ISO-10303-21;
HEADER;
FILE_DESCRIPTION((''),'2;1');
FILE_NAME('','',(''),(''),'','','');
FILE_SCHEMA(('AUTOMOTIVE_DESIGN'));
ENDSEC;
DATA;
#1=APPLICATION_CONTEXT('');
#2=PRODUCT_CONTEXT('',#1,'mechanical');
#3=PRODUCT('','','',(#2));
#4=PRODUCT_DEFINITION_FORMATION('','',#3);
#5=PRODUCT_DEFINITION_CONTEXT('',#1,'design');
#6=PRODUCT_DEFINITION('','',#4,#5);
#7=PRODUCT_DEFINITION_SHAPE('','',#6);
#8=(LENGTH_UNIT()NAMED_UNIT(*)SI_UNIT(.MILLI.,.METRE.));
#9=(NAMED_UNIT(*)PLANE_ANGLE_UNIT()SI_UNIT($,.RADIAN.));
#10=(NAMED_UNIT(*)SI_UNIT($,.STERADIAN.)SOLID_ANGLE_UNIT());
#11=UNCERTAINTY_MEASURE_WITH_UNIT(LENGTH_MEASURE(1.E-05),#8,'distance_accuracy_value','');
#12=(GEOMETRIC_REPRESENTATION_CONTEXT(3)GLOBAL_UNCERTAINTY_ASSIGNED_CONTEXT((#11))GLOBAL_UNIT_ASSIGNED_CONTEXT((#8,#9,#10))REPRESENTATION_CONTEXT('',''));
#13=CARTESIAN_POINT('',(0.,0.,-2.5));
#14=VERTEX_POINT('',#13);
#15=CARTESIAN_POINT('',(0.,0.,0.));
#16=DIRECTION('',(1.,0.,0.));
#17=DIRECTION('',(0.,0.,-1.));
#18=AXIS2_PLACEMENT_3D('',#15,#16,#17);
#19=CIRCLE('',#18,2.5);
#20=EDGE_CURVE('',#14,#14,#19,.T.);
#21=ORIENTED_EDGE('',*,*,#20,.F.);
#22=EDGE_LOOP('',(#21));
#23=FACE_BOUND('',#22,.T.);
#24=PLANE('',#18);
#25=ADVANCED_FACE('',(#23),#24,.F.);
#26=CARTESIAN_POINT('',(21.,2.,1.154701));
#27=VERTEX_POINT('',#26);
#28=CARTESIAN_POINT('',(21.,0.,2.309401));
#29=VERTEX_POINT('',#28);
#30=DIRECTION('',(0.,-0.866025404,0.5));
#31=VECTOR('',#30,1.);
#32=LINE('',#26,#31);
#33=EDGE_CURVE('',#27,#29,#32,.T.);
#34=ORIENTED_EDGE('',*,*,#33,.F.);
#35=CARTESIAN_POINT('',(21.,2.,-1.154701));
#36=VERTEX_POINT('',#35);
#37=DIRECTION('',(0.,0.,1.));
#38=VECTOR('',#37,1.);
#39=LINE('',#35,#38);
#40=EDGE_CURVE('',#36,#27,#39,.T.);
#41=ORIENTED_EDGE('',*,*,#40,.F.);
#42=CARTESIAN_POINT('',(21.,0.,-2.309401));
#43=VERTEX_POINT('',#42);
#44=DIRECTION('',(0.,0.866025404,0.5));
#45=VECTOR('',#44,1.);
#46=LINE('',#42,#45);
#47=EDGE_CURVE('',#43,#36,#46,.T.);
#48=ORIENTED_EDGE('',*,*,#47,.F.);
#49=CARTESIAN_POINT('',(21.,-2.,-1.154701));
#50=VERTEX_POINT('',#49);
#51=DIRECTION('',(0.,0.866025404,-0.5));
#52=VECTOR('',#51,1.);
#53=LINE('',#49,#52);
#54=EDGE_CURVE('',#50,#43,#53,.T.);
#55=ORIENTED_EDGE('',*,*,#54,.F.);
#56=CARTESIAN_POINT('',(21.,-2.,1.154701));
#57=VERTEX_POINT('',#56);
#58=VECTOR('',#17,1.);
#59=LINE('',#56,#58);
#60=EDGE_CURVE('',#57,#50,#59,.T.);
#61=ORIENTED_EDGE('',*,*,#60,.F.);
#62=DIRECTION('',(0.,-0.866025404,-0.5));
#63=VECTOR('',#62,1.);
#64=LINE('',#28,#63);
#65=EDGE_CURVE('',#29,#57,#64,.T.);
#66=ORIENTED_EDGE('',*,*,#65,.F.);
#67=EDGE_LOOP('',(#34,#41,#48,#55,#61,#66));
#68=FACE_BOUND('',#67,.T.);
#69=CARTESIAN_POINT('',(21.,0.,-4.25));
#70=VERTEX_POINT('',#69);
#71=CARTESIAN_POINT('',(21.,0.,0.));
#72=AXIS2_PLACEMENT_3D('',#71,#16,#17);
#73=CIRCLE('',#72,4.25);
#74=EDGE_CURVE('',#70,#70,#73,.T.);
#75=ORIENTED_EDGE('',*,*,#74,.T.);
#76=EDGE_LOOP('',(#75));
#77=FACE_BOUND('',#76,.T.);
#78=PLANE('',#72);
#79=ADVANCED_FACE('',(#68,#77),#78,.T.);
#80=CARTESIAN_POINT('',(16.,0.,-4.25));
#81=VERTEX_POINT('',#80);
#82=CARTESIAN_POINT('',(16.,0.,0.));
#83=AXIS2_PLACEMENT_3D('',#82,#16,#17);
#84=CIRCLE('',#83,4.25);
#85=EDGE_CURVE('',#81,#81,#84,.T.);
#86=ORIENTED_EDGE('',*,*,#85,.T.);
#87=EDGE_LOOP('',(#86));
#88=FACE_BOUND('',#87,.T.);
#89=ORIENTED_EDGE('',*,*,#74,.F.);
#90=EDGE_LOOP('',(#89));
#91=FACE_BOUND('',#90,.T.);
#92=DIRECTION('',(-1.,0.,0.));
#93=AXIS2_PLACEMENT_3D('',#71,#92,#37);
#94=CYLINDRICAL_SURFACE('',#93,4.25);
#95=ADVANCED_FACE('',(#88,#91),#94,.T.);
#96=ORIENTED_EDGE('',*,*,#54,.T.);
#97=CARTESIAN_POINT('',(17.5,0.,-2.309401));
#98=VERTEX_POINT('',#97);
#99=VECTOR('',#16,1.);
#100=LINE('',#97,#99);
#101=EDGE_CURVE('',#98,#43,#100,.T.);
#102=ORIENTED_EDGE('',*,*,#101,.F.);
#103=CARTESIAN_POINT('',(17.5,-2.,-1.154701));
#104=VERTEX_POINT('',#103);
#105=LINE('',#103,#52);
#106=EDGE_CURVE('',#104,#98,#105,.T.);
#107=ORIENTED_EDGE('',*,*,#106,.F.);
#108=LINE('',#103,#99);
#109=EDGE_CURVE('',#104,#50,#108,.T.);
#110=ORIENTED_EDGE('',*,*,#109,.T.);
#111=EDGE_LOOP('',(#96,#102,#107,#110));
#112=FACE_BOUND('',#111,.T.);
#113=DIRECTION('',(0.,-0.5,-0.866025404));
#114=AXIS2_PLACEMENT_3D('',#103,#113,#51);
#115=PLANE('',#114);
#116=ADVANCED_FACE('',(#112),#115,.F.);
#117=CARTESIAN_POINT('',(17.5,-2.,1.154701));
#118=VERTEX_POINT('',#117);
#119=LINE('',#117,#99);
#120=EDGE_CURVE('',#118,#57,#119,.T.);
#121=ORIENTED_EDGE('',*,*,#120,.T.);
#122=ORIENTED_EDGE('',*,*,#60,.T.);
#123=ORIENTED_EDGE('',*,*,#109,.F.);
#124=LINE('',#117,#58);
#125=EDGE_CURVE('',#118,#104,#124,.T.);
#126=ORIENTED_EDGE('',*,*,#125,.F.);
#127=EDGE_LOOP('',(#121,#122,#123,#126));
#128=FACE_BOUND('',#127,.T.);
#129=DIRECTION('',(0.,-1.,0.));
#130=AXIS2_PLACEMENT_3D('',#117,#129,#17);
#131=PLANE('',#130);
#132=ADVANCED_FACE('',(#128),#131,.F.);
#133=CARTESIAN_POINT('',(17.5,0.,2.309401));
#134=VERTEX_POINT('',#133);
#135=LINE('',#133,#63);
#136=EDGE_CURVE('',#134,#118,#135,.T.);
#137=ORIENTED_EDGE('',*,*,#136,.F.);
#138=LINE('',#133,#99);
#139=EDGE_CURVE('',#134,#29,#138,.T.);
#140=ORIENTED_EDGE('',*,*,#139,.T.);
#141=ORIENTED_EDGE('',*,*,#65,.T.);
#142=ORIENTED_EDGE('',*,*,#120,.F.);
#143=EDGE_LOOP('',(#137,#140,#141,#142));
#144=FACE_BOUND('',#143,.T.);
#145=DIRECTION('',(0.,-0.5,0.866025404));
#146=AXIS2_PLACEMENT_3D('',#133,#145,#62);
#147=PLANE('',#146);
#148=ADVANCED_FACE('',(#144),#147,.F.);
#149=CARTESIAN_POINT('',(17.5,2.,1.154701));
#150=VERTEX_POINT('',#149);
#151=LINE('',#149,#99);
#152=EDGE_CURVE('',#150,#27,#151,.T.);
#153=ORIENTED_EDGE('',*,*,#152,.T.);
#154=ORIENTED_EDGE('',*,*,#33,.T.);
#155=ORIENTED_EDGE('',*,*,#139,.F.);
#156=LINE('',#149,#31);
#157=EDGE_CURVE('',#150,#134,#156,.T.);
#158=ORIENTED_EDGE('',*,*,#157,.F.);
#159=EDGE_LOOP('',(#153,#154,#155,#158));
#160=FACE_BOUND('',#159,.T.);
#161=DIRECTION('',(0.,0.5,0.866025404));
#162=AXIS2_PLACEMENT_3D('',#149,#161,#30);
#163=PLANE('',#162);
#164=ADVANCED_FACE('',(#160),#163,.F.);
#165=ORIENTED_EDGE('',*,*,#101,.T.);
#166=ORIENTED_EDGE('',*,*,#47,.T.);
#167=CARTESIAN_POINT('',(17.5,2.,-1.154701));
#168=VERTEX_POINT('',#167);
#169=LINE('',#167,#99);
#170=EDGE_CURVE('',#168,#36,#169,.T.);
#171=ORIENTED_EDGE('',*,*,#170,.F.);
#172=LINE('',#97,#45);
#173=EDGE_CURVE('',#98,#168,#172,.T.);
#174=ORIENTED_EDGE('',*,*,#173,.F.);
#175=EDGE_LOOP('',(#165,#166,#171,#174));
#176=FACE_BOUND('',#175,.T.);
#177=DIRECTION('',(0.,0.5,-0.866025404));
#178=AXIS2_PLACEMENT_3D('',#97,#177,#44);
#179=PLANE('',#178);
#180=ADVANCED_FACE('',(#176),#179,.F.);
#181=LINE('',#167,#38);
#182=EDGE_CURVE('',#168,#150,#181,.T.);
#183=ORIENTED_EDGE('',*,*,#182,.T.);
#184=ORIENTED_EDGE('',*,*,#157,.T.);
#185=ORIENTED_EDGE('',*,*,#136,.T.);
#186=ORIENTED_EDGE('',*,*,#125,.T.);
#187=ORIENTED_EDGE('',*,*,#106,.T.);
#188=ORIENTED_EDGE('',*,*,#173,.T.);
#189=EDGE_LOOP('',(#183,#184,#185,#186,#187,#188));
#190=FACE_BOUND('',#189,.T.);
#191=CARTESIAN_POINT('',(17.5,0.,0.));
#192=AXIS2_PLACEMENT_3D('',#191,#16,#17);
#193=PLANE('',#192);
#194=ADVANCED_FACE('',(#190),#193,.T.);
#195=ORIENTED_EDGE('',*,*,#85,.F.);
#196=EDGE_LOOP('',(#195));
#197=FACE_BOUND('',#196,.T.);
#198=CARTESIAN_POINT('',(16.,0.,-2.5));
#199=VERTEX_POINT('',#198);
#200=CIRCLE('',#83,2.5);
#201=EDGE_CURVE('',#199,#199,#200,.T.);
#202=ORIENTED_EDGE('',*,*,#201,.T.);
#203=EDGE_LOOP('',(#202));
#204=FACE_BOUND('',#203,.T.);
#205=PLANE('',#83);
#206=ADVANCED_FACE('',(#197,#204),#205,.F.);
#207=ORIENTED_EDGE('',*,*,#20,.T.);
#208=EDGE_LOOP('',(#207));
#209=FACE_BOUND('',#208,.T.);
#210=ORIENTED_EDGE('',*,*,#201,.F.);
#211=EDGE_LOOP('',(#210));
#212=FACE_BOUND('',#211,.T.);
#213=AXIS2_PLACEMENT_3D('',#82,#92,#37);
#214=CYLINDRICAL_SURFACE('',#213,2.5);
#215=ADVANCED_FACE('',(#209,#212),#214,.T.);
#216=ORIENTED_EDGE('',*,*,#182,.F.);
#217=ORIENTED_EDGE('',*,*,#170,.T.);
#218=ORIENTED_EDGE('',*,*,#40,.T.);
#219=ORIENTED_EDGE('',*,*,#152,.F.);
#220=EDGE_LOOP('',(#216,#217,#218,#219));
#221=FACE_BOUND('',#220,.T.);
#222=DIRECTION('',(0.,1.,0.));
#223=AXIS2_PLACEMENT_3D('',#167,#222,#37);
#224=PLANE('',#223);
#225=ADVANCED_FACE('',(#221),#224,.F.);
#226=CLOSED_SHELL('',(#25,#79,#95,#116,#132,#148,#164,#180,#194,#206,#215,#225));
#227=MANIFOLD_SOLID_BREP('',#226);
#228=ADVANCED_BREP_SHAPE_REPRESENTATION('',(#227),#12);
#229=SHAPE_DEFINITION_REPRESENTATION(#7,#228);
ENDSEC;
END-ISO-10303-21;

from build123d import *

# Parameters (mm, degrees)
ESQUISSE1_R             = 2.5
BOSS_EXTRU_1_DEPTH      = 16
ESQUISSE2_R             = 4.25
BOSS_EXTRU_2_DEPTH      = 5
ENL_V_MAT_EXTRU_1_DEPTH = 3.5


with BuildPart() as part:
    # Esquisse1 → Boss.-Extru.1 (new body)
    with BuildSketch(Plane(origin=(0, 0, 0), x_dir=(0, 0, -1), z_dir=(1, 0, 0))):
        Circle(ESQUISSE1_R)
    extrude(amount=BOSS_EXTRU_1_DEPTH)

    # Esquisse2 → Boss.-Extru.2 (add)
    with BuildSketch(Plane(origin=(16, 0, 0), x_dir=(0, 0, -1), z_dir=(1, 0, 0))):
        Circle(ESQUISSE2_R)
    extrude(amount=BOSS_EXTRU_2_DEPTH)

    # Esquisse3 → Enlèv. mat.-Extru.1 (cut)
    with BuildSketch(Plane(origin=(21, 0, 0), x_dir=(0, 0, -1), z_dir=(1, 0, 0))):
        Polygon((2.309401077, 0), (1.154700538, 2), (-1.154700538, 2), (-2.309401077, 0), (-1.154700538, -2), (1.154700538, -2), align=None)
    extrude(amount=-ENL_V_MAT_EXTRU_1_DEPTH, mode=Mode.SUBTRACT)


solid = part.part
